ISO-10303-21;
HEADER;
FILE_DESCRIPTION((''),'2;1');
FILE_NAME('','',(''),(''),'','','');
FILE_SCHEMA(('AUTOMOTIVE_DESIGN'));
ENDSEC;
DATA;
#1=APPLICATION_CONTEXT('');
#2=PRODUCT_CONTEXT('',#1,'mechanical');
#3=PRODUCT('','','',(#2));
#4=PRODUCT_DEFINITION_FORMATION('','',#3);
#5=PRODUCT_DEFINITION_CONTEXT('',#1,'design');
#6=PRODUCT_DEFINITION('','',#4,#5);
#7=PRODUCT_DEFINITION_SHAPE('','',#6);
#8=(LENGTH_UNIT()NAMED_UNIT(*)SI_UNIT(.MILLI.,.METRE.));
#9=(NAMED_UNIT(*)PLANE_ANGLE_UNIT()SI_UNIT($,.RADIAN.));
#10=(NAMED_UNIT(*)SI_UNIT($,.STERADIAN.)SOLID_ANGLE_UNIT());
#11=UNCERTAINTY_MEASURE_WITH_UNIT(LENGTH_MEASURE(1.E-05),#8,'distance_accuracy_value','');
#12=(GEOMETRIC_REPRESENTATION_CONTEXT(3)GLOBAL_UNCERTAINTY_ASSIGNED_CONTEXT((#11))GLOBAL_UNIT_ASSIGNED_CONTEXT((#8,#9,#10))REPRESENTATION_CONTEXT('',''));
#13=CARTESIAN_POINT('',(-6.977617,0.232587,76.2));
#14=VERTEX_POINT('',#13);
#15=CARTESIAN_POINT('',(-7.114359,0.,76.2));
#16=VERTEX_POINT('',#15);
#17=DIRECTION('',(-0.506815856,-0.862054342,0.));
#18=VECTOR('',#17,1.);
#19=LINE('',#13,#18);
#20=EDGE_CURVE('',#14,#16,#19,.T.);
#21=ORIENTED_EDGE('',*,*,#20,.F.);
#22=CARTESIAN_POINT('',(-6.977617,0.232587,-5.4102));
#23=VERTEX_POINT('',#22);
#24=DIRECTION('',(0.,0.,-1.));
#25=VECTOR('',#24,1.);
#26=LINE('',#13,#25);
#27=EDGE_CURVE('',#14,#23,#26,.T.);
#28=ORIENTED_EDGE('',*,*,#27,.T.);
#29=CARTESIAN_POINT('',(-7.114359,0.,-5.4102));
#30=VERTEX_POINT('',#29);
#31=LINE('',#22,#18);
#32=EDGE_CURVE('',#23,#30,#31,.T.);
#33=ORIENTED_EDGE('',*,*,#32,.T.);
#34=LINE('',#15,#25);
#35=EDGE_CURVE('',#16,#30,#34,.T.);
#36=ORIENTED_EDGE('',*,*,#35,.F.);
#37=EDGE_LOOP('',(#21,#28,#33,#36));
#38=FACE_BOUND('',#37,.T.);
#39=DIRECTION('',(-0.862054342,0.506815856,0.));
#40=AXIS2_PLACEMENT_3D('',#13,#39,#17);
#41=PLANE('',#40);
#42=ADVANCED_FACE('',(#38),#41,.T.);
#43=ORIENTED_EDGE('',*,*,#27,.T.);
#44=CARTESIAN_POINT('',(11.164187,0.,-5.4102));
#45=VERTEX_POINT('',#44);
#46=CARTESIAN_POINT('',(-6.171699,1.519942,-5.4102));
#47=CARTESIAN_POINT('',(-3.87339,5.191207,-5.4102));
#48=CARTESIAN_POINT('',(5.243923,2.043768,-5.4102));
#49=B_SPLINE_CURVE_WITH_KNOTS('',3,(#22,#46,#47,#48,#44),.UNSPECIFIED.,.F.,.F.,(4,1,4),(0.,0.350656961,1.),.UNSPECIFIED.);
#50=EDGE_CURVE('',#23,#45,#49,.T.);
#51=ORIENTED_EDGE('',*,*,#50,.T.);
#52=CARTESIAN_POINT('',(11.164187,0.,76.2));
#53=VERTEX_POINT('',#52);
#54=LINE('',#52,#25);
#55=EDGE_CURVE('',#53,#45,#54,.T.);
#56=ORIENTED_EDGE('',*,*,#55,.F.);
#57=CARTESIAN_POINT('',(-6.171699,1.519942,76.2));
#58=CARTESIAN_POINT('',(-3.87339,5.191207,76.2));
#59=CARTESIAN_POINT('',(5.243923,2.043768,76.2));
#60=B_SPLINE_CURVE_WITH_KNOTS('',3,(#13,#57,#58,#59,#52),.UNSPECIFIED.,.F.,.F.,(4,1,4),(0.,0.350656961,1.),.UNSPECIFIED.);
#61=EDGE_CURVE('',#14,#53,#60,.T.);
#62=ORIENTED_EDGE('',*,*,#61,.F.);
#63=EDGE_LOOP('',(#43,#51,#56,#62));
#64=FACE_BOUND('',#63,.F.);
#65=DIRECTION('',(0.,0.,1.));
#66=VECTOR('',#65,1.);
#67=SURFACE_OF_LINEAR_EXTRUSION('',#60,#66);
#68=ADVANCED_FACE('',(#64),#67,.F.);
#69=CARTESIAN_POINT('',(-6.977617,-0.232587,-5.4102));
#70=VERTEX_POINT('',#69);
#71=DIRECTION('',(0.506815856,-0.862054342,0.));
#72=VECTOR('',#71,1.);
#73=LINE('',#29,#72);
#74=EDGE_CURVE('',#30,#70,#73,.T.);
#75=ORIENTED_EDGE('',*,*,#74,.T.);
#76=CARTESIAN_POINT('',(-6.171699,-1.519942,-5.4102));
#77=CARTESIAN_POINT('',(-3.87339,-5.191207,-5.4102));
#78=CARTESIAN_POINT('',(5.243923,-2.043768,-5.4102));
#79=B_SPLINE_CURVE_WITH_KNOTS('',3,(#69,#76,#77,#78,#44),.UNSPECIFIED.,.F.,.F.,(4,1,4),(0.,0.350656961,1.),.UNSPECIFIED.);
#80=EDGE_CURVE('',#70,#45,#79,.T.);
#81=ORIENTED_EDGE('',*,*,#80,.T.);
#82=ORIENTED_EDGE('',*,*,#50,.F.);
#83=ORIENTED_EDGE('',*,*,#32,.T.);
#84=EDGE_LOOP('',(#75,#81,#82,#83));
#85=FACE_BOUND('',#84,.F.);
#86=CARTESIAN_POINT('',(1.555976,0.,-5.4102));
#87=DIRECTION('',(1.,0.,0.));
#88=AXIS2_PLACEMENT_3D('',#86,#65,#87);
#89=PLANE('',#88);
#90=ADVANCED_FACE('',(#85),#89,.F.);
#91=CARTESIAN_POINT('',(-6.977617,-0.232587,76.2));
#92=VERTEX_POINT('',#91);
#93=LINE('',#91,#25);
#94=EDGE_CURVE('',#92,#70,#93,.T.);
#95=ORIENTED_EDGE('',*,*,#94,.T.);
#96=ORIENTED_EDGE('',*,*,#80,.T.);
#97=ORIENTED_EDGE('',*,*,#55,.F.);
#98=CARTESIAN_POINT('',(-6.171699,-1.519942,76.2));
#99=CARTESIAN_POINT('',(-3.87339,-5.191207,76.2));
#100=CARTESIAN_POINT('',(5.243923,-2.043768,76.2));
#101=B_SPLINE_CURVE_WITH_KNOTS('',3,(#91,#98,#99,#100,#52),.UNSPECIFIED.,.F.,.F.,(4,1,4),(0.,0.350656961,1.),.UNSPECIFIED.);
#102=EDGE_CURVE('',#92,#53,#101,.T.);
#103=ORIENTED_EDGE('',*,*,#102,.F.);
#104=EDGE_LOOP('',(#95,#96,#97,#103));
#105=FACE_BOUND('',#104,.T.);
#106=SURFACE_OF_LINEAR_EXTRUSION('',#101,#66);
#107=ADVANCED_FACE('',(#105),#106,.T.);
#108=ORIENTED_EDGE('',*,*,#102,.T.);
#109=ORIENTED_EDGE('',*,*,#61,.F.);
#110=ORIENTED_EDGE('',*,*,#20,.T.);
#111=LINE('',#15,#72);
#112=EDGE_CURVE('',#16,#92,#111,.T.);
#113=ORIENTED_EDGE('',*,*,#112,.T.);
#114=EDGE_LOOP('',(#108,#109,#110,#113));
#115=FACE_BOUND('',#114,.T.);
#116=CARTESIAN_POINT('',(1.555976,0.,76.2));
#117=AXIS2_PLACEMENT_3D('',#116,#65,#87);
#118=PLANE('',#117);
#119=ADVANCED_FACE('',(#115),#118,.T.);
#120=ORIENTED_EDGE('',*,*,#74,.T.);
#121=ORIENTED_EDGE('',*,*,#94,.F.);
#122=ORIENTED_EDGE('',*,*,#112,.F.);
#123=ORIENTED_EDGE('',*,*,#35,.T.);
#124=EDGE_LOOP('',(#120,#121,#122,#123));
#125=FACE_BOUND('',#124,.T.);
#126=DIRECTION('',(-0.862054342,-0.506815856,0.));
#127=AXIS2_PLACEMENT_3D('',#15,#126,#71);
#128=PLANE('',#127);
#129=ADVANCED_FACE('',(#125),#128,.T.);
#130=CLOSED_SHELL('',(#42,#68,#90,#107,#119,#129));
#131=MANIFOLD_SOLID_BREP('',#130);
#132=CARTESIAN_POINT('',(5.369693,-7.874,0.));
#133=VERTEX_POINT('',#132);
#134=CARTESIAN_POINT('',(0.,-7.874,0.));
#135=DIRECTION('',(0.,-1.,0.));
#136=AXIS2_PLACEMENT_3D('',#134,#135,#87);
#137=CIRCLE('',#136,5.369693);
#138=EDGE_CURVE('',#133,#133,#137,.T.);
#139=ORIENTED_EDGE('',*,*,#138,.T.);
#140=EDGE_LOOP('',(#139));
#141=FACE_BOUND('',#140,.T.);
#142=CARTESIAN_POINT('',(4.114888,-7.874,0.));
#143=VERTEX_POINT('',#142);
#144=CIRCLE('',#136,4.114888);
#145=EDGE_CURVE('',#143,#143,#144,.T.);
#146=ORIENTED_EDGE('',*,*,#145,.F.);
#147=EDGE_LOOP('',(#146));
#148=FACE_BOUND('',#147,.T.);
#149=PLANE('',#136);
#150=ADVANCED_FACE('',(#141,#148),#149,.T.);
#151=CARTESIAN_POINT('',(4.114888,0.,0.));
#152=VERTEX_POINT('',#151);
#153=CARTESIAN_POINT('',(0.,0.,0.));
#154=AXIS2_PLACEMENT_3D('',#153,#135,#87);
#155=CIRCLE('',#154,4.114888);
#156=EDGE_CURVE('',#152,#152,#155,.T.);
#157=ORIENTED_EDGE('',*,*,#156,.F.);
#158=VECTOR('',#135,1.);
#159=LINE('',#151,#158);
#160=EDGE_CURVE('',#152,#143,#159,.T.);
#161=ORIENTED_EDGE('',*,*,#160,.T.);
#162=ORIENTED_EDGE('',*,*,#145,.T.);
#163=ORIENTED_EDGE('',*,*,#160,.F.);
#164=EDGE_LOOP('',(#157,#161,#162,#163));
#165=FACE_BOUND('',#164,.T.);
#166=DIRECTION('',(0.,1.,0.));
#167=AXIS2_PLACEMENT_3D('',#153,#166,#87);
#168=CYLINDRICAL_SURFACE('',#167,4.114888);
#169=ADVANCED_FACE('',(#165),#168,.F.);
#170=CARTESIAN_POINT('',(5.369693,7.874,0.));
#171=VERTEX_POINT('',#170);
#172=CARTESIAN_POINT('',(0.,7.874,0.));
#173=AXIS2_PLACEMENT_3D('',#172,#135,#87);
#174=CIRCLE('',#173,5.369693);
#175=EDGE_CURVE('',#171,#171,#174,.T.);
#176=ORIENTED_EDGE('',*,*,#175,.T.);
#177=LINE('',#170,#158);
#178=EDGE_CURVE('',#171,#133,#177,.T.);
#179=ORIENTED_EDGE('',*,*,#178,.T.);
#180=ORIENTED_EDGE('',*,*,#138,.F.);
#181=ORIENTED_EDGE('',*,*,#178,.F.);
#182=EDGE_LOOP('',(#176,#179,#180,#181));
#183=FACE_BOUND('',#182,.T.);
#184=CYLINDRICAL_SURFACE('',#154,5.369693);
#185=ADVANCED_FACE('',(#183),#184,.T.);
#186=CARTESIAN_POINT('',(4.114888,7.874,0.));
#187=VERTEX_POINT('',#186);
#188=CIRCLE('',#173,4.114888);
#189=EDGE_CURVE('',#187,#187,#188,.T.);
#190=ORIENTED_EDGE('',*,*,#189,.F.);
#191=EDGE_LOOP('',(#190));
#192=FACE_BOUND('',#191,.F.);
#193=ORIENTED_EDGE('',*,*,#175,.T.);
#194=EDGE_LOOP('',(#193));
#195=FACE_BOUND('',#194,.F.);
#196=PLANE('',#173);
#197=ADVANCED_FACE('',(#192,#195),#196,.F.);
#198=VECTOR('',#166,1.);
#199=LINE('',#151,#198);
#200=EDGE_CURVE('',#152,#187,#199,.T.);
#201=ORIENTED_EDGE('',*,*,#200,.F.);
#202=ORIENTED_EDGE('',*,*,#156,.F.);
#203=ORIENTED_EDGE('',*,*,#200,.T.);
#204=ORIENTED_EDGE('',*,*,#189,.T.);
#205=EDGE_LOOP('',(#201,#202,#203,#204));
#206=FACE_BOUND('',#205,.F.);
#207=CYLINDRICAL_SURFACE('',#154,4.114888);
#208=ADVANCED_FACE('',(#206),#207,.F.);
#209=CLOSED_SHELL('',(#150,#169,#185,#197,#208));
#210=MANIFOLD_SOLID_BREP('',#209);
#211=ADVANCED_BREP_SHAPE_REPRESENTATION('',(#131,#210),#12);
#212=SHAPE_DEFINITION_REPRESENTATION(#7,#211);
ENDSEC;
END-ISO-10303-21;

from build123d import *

# Parameters (mm, degrees)
F1_R          = 5.3696930424
F1_R_2        = 4.1148878779
F2_DEPTH      = 7.874
F2_DEPTH_BACK = 7.874
F4_DEPTH      = 81.6102


with BuildPart() as f2:
    # F1 (on Front) → F2 (new body, two sides)
    with BuildSketch(Plane.XZ) as f2_sk:
        Circle(F1_R)
        Circle(F1_R_2, mode=Mode.SUBTRACT)
    extrude(amount=F2_DEPTH)
    extrude(f2_sk.sketch, amount=-F2_DEPTH_BACK)


with BuildPart() as f4:
    # F3 (on offset) → F4 (new body)
    with BuildSketch(Plane.XY.offset(76.2)):
        with BuildLine():
            Line((-7.114358712, 0), (-6.977616905, -0.2325871756))
            add(Edge.make_bspline(
                [(-6.977616905, -0.2325871756), (-6.1716988864, -1.5199417707), (-3.873389941, -5.1912067376), (5.2439229328, -2.0437676665), (11.1641865224, 0)],
                knots=[0, 0, 0, 0, 0.350656961, 1, 1, 1, 1], degree=3))
            add(Edge.make_bspline(
                [(-6.977616905, 0.2325871756), (-6.1716988864, 1.5199417707), (-3.873389941, 5.1912067376), (5.2439229328, 2.0437676665), (11.1641865224, 0)],
                knots=[0, 0, 0, 0, 0.350656961, 1, 1, 1, 1], degree=3))
            Line((-6.977616905, 0.2325871756), (-7.114358712, 0))
        make_face()
    extrude(amount=-F4_DEPTH)


solid = Compound([f2.part, f4.part])
